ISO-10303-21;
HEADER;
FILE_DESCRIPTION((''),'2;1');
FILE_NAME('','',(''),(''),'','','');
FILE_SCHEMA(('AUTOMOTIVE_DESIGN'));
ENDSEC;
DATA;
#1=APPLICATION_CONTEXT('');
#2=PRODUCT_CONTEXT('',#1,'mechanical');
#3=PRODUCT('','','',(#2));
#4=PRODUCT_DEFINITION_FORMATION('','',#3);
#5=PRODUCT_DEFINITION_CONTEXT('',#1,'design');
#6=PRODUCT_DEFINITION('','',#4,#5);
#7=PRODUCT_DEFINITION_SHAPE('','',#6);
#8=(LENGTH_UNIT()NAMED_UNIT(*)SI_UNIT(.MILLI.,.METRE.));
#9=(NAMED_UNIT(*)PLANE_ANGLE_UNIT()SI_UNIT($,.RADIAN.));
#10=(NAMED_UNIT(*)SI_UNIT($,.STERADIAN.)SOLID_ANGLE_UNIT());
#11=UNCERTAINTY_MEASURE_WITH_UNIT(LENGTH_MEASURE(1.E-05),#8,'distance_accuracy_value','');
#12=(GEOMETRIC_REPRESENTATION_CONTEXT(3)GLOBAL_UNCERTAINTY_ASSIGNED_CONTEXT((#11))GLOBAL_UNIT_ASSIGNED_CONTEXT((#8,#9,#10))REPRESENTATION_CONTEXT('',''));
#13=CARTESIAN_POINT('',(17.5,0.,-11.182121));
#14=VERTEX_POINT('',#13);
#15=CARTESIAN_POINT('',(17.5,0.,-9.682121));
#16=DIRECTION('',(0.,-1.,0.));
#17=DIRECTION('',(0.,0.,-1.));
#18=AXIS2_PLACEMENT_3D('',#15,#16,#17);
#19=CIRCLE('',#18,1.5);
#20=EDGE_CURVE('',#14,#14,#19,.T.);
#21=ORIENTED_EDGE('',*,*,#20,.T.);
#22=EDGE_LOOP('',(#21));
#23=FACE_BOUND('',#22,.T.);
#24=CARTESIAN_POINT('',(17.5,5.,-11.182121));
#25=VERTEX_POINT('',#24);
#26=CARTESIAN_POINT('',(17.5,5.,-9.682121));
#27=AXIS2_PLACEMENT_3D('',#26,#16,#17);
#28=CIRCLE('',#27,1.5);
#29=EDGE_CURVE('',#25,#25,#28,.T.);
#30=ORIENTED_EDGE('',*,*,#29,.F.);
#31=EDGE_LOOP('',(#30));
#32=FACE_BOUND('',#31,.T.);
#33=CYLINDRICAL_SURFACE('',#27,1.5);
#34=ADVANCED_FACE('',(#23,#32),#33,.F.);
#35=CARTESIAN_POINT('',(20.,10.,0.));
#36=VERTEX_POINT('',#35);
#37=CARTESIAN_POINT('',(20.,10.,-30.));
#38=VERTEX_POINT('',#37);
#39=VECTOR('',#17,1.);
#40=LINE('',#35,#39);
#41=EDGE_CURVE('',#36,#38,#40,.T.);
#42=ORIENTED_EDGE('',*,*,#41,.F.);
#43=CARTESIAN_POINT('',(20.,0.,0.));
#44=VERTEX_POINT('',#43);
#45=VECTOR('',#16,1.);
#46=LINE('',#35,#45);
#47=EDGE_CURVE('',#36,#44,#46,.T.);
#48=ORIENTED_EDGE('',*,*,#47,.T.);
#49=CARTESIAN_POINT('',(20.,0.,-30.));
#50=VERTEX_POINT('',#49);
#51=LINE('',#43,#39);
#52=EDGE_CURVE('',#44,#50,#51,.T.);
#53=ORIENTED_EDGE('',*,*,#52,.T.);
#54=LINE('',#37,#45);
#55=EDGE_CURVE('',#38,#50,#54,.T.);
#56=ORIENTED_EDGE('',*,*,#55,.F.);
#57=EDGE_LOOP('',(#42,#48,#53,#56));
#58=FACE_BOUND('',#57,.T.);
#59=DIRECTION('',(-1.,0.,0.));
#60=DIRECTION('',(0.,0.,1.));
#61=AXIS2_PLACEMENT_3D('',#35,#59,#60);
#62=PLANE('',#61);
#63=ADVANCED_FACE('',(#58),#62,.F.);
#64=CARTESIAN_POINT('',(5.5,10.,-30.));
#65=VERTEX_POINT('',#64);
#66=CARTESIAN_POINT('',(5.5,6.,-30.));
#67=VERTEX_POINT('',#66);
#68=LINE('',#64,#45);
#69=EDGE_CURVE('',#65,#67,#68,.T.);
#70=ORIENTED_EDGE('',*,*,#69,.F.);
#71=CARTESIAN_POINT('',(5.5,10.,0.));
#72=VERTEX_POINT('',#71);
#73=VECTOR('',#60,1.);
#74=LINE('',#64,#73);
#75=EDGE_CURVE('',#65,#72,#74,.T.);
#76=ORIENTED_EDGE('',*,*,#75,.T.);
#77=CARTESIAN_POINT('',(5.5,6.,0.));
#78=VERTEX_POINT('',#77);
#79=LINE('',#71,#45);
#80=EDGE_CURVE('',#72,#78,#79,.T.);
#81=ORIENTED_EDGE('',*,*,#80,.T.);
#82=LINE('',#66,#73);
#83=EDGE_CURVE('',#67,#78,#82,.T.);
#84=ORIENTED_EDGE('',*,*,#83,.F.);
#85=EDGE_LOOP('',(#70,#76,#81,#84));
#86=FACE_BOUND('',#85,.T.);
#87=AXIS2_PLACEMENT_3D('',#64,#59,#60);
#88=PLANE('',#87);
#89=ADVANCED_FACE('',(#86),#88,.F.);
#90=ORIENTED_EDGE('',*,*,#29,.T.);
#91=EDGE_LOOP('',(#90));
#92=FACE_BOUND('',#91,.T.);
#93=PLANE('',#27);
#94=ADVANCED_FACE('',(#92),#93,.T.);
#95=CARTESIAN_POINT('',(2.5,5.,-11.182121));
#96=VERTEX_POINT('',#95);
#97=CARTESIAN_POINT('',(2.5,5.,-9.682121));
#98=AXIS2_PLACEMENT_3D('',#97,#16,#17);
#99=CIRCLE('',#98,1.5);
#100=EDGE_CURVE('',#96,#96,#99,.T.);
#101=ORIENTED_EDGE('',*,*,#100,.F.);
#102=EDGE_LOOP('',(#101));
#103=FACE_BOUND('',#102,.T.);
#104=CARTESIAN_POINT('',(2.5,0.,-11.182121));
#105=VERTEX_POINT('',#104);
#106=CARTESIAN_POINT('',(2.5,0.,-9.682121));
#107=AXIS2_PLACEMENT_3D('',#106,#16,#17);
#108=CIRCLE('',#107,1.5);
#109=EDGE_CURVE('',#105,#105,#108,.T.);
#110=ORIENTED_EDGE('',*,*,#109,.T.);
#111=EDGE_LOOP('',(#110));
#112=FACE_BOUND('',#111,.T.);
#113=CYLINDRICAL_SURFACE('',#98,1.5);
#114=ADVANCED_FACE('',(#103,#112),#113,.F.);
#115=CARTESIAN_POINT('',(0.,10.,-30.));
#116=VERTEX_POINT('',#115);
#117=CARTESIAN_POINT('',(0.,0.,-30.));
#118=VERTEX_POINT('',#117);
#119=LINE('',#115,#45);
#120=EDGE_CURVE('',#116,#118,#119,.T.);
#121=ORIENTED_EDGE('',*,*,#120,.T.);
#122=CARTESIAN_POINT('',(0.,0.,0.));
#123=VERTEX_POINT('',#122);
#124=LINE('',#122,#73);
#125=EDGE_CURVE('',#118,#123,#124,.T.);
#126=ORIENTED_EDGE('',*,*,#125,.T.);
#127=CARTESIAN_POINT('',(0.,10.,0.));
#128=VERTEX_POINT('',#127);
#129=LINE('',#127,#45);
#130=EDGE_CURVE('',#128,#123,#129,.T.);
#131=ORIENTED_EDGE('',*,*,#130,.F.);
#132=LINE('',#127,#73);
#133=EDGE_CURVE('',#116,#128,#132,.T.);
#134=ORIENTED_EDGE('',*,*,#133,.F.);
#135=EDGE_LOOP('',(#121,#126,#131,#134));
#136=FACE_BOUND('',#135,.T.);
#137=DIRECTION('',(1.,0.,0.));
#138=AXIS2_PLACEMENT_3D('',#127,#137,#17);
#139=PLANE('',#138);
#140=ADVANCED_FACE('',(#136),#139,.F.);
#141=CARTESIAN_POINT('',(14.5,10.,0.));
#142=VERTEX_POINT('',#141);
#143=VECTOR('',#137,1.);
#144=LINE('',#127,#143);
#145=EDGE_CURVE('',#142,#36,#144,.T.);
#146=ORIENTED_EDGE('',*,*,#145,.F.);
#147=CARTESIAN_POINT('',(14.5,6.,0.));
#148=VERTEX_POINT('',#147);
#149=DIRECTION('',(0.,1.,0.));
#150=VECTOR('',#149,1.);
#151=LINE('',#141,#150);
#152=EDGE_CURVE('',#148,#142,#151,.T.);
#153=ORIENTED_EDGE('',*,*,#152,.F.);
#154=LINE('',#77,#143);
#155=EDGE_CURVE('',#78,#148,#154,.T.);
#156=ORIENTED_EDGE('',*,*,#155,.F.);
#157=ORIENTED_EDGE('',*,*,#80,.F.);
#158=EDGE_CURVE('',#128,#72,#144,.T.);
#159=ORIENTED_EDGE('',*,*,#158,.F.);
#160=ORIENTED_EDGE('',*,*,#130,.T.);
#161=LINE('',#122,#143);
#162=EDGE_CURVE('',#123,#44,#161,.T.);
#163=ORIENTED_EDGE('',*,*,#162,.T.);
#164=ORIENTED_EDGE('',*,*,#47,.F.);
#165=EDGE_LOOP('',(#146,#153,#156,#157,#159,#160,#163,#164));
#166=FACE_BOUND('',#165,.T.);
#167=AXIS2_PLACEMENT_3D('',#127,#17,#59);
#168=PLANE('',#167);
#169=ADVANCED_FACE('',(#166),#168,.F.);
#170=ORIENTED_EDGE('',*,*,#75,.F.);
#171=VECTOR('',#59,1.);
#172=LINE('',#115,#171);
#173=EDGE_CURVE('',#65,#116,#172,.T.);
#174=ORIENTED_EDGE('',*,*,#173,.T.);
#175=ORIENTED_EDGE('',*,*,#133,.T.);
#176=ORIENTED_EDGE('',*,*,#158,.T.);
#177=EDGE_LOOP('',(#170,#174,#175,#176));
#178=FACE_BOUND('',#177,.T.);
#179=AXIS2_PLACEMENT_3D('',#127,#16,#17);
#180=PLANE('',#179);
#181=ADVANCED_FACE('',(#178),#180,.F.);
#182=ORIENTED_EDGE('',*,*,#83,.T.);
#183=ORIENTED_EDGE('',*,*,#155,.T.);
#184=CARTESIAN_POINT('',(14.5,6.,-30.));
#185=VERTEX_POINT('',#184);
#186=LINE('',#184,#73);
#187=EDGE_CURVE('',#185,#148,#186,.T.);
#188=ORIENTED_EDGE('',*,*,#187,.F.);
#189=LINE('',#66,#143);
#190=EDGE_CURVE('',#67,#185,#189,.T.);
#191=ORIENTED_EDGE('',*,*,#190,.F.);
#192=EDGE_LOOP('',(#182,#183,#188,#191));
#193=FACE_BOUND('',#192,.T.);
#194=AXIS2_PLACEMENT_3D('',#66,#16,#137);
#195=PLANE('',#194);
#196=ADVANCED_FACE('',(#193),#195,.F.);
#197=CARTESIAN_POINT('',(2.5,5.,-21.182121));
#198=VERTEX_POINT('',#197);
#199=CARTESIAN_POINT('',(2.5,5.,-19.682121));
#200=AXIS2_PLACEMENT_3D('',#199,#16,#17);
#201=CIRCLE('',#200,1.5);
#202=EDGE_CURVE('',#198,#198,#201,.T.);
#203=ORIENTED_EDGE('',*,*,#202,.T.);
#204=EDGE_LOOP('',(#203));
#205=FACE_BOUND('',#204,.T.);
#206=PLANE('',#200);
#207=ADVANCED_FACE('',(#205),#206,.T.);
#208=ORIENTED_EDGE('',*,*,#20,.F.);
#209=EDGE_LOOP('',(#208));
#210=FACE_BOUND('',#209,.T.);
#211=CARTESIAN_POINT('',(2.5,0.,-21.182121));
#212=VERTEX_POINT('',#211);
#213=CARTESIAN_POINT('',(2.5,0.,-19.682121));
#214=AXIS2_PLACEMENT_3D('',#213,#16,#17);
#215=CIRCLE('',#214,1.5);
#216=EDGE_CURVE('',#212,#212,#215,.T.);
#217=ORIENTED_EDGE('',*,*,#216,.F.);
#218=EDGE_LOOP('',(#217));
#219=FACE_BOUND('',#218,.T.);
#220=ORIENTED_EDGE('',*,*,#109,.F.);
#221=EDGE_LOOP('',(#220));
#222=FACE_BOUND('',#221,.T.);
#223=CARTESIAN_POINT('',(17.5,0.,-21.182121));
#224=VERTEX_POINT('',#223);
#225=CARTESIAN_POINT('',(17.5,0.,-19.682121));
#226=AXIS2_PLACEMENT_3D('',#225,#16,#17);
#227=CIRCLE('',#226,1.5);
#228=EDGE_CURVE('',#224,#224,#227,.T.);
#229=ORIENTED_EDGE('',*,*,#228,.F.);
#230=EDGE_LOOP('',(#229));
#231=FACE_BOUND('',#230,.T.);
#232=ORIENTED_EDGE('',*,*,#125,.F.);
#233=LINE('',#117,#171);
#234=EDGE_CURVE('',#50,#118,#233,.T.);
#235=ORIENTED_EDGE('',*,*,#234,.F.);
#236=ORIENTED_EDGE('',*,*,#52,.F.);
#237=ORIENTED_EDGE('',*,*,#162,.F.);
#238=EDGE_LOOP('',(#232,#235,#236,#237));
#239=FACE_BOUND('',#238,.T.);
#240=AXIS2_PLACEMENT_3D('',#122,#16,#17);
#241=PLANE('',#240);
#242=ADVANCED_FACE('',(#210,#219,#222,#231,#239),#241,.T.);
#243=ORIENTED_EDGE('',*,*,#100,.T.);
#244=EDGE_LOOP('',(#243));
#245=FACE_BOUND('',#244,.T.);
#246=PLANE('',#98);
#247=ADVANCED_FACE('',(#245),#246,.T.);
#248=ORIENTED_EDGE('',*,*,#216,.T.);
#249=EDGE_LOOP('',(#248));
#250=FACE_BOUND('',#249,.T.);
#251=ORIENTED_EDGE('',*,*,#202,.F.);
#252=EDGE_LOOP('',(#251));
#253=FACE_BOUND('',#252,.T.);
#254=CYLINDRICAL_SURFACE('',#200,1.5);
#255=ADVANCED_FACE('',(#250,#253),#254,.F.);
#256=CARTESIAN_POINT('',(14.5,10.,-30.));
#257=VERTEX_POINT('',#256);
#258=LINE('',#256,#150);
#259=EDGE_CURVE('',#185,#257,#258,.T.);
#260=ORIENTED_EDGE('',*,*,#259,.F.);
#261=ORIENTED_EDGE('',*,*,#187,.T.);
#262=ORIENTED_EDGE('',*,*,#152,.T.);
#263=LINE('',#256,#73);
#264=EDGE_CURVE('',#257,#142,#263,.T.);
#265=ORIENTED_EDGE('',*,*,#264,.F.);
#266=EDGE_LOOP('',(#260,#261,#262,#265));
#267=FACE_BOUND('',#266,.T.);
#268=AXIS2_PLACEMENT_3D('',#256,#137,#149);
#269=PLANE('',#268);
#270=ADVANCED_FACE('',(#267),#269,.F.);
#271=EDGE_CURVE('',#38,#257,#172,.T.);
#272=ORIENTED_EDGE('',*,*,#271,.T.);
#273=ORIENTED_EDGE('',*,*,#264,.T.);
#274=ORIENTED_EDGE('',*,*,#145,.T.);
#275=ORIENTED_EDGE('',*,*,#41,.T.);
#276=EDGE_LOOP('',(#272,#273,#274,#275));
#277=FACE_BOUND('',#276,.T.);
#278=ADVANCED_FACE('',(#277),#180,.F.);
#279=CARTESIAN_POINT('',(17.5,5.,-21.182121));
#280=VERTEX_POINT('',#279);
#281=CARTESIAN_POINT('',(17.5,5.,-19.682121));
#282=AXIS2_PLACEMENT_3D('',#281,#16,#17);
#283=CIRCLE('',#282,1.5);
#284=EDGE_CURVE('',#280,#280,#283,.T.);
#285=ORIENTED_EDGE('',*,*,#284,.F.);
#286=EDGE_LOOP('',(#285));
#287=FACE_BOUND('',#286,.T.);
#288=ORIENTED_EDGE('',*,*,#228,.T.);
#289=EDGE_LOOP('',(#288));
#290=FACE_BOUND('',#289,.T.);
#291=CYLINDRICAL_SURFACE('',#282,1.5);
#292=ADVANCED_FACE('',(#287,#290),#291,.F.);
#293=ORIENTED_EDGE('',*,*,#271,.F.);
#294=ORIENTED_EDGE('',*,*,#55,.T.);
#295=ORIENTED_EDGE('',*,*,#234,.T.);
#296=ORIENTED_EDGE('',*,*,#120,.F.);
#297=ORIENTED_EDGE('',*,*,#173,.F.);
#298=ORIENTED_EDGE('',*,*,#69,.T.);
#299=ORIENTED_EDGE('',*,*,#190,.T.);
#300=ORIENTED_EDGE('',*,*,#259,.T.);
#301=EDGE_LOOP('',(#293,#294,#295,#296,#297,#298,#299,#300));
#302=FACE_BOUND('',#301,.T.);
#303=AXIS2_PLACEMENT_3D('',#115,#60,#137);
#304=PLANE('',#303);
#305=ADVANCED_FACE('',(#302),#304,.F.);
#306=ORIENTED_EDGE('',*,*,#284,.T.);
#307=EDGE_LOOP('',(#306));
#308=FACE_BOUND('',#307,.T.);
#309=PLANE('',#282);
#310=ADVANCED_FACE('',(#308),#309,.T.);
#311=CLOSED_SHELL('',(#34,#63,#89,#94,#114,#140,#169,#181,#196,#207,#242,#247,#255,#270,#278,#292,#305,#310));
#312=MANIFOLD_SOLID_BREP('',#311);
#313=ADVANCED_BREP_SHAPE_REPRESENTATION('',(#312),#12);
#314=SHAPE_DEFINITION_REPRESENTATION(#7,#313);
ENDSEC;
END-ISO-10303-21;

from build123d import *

# Parameters (mm, degrees)
SKETCH1_W           = 20
SKETCH1_H           = 30
BOSS_EXTRUDE1_DEPTH = 10
SKETCH2_W           = 9
SKETCH2_H           = 4
CUT_EXTRUDE1_DEPTH  = 31
SKETCH3_R           = 1.5
CUT_EXTRUDE2_DEPTH  = 5


with BuildPart() as part:
    # Sketch1 → Boss-Extrude1 (new body)
    with BuildSketch(Plane(origin=(0, 0, 0), x_dir=(1, 0, 0), z_dir=(0, 1, 0))):
        with Locations((10, 15)):
            Rectangle(SKETCH1_W, SKETCH1_H)
    extrude(amount=BOSS_EXTRUDE1_DEPTH)

    # Sketch2 → Cut-Extrude1 (cut, through all)
    with BuildSketch(Plane.XY):
        with Locations((10, 8)):
            Rectangle(SKETCH2_W, SKETCH2_H)
    extrude(amount=-CUT_EXTRUDE1_DEPTH, mode=Mode.SUBTRACT)

    # Sketch3 → Cut-Extrude2 (cut)
    with BuildSketch(Plane.XZ):
        with Locations((2.5, -19.682120583)):
            Circle(SKETCH3_R)
        with Locations((17.5, -19.682120583)):
            Circle(SKETCH3_R)
        with Locations((17.5, -9.682120583)):
            Circle(SKETCH3_R)
        with Locations((2.5, -9.682120583)):
            Circle(SKETCH3_R)
    extrude(amount=-CUT_EXTRUDE2_DEPTH, mode=Mode.SUBTRACT)


solid = part.part
